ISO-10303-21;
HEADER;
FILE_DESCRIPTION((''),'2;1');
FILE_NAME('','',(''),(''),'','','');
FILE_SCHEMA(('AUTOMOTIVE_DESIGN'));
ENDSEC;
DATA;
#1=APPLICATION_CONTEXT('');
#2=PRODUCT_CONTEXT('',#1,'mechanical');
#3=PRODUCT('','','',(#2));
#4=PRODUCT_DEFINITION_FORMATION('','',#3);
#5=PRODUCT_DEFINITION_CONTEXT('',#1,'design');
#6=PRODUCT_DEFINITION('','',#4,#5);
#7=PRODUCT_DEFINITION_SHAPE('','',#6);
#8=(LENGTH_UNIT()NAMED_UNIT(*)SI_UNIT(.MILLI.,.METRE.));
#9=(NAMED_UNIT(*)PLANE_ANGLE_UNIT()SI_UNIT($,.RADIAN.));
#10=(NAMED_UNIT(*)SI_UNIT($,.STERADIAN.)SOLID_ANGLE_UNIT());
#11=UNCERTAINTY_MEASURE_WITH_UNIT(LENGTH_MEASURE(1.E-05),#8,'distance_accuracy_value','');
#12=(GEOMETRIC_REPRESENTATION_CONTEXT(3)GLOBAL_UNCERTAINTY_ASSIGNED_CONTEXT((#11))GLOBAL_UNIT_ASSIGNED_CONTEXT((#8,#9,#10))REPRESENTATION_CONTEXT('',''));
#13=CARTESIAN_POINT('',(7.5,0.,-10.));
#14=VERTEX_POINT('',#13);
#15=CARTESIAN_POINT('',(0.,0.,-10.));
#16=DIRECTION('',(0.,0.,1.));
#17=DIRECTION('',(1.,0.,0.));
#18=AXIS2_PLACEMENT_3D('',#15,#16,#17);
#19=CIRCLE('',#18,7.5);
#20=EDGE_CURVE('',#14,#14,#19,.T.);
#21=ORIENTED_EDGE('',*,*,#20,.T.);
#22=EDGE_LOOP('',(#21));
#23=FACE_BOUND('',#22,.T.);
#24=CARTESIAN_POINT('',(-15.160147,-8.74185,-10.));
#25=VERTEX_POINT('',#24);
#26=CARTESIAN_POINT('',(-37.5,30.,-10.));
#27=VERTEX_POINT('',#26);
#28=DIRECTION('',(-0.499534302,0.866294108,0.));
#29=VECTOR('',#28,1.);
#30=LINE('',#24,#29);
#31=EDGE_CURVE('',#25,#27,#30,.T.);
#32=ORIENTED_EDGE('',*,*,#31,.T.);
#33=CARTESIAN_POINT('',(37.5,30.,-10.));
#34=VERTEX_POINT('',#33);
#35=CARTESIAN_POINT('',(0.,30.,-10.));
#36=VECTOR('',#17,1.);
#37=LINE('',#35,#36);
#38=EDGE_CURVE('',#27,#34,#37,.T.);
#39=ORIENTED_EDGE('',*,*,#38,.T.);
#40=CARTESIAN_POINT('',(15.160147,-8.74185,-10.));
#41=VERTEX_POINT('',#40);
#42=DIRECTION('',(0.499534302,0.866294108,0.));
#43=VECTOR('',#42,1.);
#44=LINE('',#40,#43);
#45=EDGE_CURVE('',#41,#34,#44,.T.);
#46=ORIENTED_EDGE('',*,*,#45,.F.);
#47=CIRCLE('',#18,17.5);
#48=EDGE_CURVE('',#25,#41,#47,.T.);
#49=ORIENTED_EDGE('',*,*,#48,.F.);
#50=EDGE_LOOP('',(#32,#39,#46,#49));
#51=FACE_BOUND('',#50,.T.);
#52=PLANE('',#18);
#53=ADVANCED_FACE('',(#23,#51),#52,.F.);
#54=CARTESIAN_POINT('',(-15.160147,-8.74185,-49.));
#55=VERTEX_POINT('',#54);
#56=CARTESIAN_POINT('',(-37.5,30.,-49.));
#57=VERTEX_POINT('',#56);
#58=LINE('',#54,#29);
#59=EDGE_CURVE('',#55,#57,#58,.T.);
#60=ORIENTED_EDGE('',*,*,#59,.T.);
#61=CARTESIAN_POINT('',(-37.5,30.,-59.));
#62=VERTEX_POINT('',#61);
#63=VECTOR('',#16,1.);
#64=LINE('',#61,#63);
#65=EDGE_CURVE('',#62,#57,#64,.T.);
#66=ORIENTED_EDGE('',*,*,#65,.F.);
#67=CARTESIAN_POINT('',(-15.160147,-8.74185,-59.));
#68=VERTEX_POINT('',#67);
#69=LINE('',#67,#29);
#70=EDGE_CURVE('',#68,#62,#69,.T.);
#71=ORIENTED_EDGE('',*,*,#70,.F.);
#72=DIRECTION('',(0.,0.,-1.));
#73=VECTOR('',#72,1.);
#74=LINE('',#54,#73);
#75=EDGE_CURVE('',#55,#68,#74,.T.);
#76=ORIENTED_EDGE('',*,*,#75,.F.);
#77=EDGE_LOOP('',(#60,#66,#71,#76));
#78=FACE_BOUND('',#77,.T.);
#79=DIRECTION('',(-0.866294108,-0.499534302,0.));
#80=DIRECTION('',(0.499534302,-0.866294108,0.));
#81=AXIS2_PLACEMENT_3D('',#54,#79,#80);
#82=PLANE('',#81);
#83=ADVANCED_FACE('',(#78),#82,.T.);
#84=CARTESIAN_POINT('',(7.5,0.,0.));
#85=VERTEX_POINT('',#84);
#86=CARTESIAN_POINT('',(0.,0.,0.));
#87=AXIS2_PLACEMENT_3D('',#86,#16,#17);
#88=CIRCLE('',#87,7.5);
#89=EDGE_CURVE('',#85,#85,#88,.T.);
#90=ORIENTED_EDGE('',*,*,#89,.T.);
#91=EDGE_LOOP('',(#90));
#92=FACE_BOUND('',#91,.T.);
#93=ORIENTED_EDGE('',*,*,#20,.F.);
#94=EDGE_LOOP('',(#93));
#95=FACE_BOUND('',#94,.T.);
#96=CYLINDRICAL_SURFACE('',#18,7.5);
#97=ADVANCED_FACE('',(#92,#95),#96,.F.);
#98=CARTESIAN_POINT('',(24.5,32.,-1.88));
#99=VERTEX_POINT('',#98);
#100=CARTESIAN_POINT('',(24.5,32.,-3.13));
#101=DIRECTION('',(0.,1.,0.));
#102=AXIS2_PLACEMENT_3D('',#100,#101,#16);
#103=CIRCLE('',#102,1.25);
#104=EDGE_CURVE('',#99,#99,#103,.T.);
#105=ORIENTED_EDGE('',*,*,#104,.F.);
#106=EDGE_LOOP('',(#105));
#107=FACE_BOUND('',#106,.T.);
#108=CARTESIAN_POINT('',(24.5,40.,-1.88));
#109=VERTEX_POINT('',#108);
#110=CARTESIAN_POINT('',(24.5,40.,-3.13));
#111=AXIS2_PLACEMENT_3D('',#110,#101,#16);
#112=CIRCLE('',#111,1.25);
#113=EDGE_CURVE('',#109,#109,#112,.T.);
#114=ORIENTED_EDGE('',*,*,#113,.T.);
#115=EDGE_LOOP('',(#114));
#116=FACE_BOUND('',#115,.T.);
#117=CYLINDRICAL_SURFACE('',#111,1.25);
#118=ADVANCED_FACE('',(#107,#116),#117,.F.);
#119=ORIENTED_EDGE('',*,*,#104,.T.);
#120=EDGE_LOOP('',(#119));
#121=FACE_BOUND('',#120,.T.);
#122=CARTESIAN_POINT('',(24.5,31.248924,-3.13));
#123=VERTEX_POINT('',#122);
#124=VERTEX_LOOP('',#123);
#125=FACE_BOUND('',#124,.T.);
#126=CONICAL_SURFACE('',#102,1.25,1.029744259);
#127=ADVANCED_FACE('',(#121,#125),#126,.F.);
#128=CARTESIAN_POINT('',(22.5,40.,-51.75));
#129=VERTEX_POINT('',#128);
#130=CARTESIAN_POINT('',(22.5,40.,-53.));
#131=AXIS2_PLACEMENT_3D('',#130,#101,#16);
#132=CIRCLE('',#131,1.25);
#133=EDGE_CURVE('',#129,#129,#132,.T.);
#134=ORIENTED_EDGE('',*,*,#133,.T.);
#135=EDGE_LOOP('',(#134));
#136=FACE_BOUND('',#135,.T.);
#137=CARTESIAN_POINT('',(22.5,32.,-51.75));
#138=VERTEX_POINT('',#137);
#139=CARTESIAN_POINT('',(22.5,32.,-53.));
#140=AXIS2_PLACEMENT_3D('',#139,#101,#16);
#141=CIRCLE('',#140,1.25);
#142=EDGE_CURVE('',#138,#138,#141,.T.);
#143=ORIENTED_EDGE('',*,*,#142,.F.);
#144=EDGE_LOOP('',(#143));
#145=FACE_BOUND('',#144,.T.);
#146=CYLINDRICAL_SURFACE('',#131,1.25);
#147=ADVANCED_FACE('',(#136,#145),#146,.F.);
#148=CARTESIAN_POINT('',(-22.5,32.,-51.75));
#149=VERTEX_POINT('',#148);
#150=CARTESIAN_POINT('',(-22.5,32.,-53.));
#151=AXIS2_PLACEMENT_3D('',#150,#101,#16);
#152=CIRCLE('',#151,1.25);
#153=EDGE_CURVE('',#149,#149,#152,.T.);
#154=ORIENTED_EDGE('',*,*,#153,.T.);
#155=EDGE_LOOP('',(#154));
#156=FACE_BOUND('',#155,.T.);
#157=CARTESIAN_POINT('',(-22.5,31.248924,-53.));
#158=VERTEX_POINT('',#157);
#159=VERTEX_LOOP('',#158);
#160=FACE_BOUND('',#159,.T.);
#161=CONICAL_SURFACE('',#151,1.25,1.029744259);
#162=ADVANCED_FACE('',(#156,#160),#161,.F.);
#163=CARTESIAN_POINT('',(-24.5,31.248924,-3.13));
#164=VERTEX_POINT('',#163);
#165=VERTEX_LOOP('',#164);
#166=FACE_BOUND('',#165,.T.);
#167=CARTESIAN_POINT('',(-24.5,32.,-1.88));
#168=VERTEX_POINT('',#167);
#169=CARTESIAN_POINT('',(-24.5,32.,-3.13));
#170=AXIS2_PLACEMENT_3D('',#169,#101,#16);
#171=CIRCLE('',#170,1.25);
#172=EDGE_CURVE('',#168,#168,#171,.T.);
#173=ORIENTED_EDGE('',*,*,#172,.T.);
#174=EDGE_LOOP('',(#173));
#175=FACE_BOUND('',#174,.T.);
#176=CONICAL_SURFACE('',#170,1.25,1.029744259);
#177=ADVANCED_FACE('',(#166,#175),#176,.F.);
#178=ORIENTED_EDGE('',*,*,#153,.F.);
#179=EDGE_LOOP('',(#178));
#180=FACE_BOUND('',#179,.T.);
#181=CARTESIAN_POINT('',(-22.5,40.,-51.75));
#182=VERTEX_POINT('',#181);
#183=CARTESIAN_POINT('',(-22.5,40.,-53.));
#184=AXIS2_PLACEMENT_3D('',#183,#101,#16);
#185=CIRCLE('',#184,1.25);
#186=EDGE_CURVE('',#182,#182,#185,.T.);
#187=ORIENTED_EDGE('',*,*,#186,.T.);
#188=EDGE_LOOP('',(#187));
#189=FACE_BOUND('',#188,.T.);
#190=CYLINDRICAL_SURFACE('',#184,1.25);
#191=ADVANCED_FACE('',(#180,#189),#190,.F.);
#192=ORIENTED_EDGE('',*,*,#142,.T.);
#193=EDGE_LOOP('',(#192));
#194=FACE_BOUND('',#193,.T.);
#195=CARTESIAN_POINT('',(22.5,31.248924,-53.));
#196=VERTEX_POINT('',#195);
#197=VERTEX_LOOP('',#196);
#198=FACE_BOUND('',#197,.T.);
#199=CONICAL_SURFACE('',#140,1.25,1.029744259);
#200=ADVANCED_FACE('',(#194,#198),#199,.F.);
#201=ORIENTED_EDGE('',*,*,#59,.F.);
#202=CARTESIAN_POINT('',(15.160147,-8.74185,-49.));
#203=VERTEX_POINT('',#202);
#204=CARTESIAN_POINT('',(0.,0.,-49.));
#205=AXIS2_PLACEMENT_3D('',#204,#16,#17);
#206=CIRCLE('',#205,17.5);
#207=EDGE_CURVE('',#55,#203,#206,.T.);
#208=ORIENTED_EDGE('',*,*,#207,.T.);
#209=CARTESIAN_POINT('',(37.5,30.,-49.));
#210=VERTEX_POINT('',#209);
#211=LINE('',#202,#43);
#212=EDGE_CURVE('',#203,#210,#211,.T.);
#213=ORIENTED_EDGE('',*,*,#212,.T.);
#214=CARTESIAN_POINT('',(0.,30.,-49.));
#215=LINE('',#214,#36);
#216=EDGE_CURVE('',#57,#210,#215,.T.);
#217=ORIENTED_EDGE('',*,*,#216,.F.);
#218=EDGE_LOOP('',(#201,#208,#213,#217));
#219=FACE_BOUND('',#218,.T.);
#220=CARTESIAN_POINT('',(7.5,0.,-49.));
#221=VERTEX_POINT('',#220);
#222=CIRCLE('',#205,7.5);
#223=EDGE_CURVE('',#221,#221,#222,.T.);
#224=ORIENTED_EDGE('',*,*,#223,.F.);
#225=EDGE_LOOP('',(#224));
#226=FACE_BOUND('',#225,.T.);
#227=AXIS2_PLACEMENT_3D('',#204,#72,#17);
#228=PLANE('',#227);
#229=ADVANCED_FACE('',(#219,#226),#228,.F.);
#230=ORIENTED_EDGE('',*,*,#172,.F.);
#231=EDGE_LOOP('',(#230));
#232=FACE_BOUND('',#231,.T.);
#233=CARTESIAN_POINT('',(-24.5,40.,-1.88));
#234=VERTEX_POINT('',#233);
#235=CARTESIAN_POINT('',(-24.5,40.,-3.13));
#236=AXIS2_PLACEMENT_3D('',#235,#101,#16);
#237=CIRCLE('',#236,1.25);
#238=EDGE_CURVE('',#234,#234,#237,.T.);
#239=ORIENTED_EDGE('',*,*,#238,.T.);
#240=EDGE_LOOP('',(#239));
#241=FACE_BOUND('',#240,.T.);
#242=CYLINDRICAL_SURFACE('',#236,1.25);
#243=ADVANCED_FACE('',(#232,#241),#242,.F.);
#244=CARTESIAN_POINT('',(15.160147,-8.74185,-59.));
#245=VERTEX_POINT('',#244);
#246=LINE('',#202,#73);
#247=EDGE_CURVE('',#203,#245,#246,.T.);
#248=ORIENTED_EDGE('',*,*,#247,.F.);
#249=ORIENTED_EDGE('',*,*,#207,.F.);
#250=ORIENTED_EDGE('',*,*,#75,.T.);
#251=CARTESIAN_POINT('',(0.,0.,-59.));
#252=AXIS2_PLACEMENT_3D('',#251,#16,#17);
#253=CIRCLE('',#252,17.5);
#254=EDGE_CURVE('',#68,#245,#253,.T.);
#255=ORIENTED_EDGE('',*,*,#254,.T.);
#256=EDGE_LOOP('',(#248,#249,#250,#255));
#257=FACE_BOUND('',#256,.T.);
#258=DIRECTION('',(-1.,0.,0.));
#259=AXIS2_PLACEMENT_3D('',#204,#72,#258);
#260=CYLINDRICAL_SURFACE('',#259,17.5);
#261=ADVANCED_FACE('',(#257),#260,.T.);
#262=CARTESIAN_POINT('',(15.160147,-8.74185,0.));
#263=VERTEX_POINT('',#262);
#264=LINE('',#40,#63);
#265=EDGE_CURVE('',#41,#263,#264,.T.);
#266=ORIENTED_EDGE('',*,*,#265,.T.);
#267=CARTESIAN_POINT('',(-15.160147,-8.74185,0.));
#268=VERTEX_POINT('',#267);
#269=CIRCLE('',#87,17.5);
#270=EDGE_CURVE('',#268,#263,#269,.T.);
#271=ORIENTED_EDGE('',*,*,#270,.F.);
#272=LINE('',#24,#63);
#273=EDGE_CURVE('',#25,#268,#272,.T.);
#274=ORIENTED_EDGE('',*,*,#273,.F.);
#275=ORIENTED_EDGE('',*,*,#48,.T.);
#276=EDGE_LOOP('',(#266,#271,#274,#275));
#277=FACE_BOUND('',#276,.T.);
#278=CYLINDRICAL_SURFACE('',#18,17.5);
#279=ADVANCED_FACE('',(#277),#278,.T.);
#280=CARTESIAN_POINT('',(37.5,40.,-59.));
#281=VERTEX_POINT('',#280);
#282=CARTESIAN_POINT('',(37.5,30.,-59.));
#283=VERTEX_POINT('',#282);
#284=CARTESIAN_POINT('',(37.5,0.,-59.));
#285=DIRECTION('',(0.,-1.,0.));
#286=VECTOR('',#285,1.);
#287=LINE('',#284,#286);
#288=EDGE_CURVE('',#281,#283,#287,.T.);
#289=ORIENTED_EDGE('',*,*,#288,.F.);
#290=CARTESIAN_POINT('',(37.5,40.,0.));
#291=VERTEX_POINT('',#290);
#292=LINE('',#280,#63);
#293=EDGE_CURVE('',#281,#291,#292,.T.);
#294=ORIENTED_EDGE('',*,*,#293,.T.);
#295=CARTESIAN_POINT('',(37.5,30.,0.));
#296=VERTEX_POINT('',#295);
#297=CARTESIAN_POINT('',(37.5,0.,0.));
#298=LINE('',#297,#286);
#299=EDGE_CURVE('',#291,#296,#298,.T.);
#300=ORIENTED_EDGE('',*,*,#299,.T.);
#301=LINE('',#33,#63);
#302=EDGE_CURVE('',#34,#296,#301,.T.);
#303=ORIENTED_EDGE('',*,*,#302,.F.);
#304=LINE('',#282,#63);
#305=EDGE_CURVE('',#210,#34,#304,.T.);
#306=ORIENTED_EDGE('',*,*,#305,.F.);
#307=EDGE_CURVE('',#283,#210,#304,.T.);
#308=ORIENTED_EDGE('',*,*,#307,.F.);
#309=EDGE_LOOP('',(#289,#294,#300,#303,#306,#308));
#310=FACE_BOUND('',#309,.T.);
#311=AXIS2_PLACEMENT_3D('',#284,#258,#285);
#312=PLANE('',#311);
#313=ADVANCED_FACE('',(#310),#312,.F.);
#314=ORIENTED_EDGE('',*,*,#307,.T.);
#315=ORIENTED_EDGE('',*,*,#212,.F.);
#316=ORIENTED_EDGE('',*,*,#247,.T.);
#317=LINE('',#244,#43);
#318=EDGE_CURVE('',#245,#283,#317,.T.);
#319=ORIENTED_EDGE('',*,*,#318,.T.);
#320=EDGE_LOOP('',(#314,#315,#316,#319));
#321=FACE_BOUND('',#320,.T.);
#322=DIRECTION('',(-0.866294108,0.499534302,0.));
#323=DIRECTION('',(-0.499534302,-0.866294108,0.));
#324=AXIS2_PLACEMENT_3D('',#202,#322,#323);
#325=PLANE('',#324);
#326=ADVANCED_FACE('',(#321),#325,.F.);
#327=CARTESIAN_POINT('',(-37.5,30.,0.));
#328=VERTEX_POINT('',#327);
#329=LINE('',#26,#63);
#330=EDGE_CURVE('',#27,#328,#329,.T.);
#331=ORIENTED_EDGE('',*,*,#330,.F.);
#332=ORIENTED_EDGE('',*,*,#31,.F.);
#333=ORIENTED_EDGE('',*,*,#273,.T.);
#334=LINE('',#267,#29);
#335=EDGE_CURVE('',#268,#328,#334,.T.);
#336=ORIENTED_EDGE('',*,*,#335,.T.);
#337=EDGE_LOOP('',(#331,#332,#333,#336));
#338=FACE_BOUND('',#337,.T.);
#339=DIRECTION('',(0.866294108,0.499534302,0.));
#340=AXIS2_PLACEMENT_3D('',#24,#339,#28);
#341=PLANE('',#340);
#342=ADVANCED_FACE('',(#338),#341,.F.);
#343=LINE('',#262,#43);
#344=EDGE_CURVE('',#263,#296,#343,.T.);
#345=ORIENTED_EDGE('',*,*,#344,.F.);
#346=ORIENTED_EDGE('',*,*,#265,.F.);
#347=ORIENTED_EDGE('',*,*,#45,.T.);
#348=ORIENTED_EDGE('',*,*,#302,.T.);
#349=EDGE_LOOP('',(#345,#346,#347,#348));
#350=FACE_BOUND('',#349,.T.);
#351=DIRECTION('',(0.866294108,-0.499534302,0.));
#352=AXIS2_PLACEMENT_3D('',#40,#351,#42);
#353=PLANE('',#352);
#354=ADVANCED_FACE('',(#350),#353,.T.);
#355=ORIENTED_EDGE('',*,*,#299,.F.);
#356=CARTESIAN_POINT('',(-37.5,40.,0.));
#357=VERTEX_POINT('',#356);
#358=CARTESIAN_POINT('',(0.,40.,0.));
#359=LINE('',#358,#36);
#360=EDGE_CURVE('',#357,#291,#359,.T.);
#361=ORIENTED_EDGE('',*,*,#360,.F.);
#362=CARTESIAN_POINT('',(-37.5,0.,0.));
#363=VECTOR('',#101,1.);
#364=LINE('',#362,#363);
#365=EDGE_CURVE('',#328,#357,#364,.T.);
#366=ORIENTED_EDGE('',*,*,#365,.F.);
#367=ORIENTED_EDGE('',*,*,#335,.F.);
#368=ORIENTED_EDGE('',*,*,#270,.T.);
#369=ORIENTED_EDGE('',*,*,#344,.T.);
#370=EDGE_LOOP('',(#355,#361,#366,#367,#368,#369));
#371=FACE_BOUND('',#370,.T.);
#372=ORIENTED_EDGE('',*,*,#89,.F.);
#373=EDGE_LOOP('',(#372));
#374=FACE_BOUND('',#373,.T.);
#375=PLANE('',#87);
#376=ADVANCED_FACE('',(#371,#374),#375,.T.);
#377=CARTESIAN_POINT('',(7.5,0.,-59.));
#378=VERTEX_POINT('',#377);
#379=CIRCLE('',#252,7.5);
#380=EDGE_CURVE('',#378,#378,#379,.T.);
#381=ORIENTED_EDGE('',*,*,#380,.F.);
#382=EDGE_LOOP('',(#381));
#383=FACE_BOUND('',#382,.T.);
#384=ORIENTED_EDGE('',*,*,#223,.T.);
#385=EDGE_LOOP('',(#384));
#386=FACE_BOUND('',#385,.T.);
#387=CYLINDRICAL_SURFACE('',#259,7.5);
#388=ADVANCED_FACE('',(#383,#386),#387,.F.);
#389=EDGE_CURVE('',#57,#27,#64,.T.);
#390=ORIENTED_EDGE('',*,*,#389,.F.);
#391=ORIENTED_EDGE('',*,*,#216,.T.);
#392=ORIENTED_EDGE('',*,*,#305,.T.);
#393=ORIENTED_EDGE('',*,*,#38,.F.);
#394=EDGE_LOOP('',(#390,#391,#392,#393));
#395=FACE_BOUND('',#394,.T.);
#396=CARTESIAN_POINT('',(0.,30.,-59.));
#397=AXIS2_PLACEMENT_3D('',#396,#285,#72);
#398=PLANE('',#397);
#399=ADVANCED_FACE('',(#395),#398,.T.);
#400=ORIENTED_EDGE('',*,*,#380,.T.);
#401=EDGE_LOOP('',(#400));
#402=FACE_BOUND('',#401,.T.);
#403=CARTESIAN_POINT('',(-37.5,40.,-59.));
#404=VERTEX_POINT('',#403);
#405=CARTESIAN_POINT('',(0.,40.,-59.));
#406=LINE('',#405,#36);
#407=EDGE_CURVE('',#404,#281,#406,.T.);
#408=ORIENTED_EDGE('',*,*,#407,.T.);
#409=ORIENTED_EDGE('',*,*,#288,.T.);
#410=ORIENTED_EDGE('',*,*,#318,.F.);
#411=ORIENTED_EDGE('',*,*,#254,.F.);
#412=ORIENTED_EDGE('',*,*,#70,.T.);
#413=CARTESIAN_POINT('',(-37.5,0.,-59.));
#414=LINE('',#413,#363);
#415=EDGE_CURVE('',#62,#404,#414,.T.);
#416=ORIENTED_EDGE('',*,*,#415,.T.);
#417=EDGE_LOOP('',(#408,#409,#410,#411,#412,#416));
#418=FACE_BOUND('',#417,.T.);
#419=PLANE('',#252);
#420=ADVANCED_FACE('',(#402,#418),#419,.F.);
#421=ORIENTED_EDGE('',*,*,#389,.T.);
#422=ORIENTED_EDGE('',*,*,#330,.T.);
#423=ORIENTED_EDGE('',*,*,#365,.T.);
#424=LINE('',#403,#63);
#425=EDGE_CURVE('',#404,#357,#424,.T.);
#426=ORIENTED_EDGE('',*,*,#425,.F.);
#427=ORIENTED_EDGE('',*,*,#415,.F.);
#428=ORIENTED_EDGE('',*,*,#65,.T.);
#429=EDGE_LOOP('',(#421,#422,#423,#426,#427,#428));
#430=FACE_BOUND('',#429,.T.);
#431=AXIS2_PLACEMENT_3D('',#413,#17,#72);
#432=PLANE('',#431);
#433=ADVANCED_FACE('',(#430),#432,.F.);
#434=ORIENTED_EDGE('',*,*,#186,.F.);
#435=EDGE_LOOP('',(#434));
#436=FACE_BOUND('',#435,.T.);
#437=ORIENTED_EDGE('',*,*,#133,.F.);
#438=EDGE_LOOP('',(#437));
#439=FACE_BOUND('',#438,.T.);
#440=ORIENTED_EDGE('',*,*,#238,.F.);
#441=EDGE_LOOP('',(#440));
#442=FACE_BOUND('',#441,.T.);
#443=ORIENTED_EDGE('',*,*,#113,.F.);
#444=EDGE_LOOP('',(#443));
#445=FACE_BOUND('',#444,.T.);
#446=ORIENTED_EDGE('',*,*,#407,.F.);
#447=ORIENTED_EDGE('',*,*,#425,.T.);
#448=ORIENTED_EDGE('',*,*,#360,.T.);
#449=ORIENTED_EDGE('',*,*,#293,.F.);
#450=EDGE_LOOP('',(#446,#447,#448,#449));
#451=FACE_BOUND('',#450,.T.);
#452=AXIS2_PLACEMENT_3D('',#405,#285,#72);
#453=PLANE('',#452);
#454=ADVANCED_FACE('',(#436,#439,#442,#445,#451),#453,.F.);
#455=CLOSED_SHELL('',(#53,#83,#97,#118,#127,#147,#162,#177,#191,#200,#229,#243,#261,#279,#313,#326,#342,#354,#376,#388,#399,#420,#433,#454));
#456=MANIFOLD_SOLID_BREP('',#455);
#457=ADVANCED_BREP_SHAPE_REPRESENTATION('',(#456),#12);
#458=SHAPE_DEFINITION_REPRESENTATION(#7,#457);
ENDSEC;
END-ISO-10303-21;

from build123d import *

# Parameters (mm, degrees)
SKETCH1_R                       = 7.5
BOSS_EXTRUDE1_DEPTH             = 10
SKETCH1_3_W                     = 75
SKETCH1_3_H                     = 10
BOSS_EXTRUDE2_DEPTH             = 59
TAP_DRILL_FOR_M3X0_5_TAP1_D     = 2.5
TAP_DRILL_FOR_M3X0_5_TAP1_DEPTH = 8
TAP_DRILL_FOR_M3X0_5_TAP1_TIP   = 0.751075774


with BuildPart() as part:
    # Sketch1 → Boss-Extrude1 (new body)
    with BuildSketch(Plane.XY):
        with BuildLine():
            Line((37.5, 30), (-37.5, 30))
            Line((-37.5, 30), (-15.160146889, -8.741850278))
            ThreePointArc((-15.160146889, -8.741850278), (0, -17.5), (15.160146889, -8.741850278))
            Line((15.160146889, -8.741850278), (37.5, 30))
        make_face()
        Circle(SKETCH1_R, mode=Mode.SUBTRACT)
    boss_extrude1 = extrude(amount=-BOSS_EXTRUDE1_DEPTH)

    # Sketch1<3> → Boss-Extrude2 (add)
    with BuildSketch(Plane.XY):
        with Locations((0, 35)):
            Rectangle(SKETCH1_3_W, SKETCH1_3_H)
    extrude(amount=-BOSS_EXTRUDE2_DEPTH)

    # Mirror2: Boss-Extrude1 across plane
    add(boss_extrude1.mirror(Plane.XY.offset(-29.5)))

    # Tap Drill for M3x0.5 Tap1
    with Locations(Plane(origin=(0, 40, 0), x_dir=(1, 0, 0), z_dir=(0, 1, 0))):
        with Locations((-22.5, 53), (22.5, 53), (-24.5, 3.13), (24.5, 3.13)):
            Hole(TAP_DRILL_FOR_M3X0_5_TAP1_D / 2, depth=TAP_DRILL_FOR_M3X0_5_TAP1_DEPTH)
            with Locations((0, 0, -(TAP_DRILL_FOR_M3X0_5_TAP1_DEPTH + TAP_DRILL_FOR_M3X0_5_TAP1_TIP / 2))):  # 118° drill point
                Cone(0, TAP_DRILL_FOR_M3X0_5_TAP1_D / 2, TAP_DRILL_FOR_M3X0_5_TAP1_TIP, mode=Mode.SUBTRACT)


solid = part.part
